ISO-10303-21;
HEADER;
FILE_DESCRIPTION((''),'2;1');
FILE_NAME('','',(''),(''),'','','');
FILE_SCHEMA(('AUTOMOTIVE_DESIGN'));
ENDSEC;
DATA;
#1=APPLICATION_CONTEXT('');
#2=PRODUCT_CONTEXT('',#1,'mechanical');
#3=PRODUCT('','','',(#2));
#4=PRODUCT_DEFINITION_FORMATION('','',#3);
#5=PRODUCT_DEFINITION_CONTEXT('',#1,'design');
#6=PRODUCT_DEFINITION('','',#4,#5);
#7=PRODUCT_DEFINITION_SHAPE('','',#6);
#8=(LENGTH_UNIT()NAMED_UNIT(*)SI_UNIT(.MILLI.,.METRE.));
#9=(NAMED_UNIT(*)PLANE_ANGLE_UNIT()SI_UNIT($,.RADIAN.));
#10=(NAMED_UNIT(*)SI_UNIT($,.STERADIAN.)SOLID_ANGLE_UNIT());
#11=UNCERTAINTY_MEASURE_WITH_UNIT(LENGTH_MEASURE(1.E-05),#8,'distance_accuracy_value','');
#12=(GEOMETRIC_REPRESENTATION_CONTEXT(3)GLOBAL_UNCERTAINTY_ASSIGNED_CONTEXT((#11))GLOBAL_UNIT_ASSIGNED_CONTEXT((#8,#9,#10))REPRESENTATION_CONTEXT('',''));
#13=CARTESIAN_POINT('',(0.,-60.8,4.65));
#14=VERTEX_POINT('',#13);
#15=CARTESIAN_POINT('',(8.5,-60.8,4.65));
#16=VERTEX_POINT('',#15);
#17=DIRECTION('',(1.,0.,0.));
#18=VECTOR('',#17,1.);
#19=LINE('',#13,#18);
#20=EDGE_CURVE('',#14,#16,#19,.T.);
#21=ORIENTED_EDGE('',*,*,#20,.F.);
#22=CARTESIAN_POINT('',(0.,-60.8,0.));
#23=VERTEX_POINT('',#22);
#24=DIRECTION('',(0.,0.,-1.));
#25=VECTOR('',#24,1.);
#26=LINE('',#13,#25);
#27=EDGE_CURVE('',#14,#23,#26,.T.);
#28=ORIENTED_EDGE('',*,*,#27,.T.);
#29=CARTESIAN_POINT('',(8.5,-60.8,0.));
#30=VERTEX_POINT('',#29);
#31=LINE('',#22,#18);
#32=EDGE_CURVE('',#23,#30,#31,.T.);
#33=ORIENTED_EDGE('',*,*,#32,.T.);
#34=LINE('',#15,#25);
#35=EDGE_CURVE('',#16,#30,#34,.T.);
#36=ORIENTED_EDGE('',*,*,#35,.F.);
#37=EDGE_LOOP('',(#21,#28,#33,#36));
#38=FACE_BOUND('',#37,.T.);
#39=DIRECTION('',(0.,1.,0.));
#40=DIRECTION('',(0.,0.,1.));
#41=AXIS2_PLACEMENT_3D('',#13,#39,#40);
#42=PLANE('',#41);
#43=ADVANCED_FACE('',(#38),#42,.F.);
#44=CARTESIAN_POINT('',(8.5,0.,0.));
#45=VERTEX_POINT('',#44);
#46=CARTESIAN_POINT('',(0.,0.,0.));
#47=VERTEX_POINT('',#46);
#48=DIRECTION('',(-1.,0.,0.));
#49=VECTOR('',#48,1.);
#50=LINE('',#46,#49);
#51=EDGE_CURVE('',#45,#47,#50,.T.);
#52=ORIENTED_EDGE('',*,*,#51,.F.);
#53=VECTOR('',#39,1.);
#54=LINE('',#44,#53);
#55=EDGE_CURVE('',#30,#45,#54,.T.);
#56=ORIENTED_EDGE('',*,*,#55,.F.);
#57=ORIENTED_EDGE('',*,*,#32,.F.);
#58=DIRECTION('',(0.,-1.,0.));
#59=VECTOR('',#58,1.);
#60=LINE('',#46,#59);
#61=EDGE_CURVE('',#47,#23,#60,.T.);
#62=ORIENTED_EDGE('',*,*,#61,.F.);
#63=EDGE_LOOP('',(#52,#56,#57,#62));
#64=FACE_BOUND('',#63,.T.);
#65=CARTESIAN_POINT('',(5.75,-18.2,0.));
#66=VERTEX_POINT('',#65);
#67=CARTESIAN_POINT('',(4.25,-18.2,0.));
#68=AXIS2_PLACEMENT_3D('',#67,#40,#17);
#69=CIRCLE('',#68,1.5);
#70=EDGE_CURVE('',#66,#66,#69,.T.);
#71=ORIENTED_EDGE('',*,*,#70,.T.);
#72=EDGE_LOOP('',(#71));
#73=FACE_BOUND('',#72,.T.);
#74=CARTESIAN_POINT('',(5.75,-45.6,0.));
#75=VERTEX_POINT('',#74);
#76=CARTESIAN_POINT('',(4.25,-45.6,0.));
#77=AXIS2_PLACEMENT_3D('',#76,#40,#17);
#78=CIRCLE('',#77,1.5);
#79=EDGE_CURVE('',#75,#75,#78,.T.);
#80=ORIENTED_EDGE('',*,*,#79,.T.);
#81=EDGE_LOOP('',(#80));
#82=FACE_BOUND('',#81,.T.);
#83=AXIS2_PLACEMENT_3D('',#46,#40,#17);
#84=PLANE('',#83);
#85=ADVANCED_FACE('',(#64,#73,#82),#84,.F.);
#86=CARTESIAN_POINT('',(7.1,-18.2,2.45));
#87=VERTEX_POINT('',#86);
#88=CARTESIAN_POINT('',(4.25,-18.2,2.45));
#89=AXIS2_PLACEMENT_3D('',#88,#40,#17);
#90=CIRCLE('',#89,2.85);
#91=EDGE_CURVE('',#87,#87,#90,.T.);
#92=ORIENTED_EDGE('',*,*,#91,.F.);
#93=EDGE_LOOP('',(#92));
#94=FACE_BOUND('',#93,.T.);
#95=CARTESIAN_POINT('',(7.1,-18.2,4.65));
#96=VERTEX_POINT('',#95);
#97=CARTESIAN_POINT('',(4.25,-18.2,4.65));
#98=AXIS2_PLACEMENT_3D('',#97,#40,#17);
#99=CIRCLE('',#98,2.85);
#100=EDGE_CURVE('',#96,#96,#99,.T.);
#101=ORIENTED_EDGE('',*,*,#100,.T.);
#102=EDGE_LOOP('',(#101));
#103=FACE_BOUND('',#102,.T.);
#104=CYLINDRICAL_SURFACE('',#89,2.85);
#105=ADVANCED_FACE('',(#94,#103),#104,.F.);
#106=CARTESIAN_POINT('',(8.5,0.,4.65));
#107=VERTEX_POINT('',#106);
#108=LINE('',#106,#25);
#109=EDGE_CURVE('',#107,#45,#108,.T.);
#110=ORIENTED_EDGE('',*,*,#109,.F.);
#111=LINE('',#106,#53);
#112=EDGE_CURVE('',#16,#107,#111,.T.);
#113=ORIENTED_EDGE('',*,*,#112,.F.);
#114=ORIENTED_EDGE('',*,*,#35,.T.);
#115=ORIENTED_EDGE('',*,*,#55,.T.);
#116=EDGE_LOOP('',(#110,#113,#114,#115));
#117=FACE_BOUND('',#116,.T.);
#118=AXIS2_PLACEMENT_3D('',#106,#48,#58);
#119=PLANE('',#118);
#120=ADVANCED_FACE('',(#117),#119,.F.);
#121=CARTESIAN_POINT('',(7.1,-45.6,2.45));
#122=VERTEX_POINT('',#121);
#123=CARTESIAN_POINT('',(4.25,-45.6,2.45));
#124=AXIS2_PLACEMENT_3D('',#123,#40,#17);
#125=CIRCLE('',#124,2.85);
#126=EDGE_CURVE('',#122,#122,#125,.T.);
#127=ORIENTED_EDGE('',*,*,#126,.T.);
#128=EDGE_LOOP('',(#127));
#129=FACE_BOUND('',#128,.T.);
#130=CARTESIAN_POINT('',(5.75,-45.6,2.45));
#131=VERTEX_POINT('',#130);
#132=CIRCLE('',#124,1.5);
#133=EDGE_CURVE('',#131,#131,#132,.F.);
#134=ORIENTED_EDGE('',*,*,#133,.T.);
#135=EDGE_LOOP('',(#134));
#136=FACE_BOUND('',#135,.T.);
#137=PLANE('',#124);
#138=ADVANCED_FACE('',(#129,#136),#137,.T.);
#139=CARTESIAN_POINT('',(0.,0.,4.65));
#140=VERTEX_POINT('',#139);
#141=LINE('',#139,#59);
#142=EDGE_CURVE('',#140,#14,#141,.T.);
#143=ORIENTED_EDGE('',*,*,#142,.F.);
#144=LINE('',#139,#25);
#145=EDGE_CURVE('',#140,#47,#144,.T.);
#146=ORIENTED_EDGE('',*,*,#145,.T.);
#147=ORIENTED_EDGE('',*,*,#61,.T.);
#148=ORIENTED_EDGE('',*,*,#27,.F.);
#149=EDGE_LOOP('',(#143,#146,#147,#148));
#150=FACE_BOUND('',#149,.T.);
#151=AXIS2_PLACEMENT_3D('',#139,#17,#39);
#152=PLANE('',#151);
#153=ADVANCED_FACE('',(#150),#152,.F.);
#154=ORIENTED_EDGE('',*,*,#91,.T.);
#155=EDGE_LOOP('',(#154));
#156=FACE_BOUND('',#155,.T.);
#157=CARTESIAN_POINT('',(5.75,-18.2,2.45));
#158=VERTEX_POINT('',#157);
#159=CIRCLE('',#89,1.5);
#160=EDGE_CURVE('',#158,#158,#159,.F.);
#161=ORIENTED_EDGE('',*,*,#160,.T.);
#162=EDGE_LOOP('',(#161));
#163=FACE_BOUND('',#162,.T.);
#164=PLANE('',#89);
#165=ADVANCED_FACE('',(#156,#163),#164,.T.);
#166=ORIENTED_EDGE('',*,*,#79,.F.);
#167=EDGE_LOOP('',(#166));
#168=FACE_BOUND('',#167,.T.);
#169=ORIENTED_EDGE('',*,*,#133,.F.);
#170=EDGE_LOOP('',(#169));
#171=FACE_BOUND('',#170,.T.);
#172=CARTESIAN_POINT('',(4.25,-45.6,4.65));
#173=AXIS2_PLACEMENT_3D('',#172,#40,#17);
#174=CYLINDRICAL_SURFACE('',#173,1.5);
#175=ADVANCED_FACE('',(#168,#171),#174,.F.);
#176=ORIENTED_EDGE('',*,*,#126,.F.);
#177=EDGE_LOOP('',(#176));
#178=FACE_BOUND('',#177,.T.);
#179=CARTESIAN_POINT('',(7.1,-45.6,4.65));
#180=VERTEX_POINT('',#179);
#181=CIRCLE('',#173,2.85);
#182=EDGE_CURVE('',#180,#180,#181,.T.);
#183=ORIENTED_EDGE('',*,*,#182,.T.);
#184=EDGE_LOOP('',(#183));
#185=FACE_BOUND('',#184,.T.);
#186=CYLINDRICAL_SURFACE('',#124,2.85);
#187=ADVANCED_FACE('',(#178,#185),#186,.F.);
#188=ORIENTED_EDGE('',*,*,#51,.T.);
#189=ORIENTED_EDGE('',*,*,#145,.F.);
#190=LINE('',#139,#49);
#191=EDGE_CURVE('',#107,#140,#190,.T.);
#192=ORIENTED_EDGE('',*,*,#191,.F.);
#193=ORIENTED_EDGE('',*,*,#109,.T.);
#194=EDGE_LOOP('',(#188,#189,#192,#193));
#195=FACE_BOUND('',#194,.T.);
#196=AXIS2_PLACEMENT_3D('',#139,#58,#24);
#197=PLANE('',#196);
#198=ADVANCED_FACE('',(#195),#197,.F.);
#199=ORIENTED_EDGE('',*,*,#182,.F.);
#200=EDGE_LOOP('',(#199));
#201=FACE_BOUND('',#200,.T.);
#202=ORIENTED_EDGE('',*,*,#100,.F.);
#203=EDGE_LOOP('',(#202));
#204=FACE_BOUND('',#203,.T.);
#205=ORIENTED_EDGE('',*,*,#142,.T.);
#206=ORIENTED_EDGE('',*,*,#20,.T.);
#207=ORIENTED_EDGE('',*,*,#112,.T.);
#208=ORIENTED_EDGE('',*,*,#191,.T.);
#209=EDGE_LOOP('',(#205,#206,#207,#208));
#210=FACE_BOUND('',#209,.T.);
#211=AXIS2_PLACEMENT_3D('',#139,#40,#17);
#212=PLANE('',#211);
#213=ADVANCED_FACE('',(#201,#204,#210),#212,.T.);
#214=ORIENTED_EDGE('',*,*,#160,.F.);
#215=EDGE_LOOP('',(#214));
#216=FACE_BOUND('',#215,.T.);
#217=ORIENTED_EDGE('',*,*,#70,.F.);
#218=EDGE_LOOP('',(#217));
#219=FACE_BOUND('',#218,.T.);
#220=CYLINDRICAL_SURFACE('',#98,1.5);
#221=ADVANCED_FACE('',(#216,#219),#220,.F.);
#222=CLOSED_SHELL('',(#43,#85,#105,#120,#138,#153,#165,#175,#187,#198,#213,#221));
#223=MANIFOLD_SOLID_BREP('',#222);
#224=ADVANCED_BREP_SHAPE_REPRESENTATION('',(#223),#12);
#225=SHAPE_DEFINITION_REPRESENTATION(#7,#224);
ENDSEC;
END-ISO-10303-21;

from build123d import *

# Parameters (mm, degrees)
SKETCH1_W                 = 8.5
SKETCH1_H                 = 60.8
BOSS_EXTRUDE1_DEPTH       = 4.65
F_3_0MM_DOWEL_HOLE1_D     = 3
F_3_0MM_DOWEL_HOLE1_DEPTH = 5
F_3_0MM_DOWEL_HOLE1_TIP   = 0.901290929
SKETCH6_R                 = 2.85
CUT_EXTRUDE1_DEPTH        = 2.2


with BuildPart() as part:
    # Sketch1 → Boss-Extrude1 (new body)
    with BuildSketch(Plane.XY):
        with Locations((4.25, -30.4)):
            Rectangle(SKETCH1_W, SKETCH1_H)
    extrude(amount=BOSS_EXTRUDE1_DEPTH)

    # Ø3.0mm Dowel Hole1
    with Locations(Plane.XY.offset(4.65)):
        with Locations((4.25, -18.2), (4.25, -45.6)):
            Hole(F_3_0MM_DOWEL_HOLE1_D / 2, depth=F_3_0MM_DOWEL_HOLE1_DEPTH)
            with Locations((0, 0, -(F_3_0MM_DOWEL_HOLE1_DEPTH + F_3_0MM_DOWEL_HOLE1_TIP / 2))):  # 118° drill point
                Cone(0, F_3_0MM_DOWEL_HOLE1_D / 2, F_3_0MM_DOWEL_HOLE1_TIP, mode=Mode.SUBTRACT)

    # Sketch6 → Cut-Extrude1 (cut)
    with BuildSketch(Plane.XY.offset(4.65)):
        with Locations((4.25, -18.2)):
            Circle(SKETCH6_R)
        with Locations((4.25, -45.6)):
            Circle(SKETCH6_R)
    extrude(amount=-CUT_EXTRUDE1_DEPTH, mode=Mode.SUBTRACT)


solid = part.part
